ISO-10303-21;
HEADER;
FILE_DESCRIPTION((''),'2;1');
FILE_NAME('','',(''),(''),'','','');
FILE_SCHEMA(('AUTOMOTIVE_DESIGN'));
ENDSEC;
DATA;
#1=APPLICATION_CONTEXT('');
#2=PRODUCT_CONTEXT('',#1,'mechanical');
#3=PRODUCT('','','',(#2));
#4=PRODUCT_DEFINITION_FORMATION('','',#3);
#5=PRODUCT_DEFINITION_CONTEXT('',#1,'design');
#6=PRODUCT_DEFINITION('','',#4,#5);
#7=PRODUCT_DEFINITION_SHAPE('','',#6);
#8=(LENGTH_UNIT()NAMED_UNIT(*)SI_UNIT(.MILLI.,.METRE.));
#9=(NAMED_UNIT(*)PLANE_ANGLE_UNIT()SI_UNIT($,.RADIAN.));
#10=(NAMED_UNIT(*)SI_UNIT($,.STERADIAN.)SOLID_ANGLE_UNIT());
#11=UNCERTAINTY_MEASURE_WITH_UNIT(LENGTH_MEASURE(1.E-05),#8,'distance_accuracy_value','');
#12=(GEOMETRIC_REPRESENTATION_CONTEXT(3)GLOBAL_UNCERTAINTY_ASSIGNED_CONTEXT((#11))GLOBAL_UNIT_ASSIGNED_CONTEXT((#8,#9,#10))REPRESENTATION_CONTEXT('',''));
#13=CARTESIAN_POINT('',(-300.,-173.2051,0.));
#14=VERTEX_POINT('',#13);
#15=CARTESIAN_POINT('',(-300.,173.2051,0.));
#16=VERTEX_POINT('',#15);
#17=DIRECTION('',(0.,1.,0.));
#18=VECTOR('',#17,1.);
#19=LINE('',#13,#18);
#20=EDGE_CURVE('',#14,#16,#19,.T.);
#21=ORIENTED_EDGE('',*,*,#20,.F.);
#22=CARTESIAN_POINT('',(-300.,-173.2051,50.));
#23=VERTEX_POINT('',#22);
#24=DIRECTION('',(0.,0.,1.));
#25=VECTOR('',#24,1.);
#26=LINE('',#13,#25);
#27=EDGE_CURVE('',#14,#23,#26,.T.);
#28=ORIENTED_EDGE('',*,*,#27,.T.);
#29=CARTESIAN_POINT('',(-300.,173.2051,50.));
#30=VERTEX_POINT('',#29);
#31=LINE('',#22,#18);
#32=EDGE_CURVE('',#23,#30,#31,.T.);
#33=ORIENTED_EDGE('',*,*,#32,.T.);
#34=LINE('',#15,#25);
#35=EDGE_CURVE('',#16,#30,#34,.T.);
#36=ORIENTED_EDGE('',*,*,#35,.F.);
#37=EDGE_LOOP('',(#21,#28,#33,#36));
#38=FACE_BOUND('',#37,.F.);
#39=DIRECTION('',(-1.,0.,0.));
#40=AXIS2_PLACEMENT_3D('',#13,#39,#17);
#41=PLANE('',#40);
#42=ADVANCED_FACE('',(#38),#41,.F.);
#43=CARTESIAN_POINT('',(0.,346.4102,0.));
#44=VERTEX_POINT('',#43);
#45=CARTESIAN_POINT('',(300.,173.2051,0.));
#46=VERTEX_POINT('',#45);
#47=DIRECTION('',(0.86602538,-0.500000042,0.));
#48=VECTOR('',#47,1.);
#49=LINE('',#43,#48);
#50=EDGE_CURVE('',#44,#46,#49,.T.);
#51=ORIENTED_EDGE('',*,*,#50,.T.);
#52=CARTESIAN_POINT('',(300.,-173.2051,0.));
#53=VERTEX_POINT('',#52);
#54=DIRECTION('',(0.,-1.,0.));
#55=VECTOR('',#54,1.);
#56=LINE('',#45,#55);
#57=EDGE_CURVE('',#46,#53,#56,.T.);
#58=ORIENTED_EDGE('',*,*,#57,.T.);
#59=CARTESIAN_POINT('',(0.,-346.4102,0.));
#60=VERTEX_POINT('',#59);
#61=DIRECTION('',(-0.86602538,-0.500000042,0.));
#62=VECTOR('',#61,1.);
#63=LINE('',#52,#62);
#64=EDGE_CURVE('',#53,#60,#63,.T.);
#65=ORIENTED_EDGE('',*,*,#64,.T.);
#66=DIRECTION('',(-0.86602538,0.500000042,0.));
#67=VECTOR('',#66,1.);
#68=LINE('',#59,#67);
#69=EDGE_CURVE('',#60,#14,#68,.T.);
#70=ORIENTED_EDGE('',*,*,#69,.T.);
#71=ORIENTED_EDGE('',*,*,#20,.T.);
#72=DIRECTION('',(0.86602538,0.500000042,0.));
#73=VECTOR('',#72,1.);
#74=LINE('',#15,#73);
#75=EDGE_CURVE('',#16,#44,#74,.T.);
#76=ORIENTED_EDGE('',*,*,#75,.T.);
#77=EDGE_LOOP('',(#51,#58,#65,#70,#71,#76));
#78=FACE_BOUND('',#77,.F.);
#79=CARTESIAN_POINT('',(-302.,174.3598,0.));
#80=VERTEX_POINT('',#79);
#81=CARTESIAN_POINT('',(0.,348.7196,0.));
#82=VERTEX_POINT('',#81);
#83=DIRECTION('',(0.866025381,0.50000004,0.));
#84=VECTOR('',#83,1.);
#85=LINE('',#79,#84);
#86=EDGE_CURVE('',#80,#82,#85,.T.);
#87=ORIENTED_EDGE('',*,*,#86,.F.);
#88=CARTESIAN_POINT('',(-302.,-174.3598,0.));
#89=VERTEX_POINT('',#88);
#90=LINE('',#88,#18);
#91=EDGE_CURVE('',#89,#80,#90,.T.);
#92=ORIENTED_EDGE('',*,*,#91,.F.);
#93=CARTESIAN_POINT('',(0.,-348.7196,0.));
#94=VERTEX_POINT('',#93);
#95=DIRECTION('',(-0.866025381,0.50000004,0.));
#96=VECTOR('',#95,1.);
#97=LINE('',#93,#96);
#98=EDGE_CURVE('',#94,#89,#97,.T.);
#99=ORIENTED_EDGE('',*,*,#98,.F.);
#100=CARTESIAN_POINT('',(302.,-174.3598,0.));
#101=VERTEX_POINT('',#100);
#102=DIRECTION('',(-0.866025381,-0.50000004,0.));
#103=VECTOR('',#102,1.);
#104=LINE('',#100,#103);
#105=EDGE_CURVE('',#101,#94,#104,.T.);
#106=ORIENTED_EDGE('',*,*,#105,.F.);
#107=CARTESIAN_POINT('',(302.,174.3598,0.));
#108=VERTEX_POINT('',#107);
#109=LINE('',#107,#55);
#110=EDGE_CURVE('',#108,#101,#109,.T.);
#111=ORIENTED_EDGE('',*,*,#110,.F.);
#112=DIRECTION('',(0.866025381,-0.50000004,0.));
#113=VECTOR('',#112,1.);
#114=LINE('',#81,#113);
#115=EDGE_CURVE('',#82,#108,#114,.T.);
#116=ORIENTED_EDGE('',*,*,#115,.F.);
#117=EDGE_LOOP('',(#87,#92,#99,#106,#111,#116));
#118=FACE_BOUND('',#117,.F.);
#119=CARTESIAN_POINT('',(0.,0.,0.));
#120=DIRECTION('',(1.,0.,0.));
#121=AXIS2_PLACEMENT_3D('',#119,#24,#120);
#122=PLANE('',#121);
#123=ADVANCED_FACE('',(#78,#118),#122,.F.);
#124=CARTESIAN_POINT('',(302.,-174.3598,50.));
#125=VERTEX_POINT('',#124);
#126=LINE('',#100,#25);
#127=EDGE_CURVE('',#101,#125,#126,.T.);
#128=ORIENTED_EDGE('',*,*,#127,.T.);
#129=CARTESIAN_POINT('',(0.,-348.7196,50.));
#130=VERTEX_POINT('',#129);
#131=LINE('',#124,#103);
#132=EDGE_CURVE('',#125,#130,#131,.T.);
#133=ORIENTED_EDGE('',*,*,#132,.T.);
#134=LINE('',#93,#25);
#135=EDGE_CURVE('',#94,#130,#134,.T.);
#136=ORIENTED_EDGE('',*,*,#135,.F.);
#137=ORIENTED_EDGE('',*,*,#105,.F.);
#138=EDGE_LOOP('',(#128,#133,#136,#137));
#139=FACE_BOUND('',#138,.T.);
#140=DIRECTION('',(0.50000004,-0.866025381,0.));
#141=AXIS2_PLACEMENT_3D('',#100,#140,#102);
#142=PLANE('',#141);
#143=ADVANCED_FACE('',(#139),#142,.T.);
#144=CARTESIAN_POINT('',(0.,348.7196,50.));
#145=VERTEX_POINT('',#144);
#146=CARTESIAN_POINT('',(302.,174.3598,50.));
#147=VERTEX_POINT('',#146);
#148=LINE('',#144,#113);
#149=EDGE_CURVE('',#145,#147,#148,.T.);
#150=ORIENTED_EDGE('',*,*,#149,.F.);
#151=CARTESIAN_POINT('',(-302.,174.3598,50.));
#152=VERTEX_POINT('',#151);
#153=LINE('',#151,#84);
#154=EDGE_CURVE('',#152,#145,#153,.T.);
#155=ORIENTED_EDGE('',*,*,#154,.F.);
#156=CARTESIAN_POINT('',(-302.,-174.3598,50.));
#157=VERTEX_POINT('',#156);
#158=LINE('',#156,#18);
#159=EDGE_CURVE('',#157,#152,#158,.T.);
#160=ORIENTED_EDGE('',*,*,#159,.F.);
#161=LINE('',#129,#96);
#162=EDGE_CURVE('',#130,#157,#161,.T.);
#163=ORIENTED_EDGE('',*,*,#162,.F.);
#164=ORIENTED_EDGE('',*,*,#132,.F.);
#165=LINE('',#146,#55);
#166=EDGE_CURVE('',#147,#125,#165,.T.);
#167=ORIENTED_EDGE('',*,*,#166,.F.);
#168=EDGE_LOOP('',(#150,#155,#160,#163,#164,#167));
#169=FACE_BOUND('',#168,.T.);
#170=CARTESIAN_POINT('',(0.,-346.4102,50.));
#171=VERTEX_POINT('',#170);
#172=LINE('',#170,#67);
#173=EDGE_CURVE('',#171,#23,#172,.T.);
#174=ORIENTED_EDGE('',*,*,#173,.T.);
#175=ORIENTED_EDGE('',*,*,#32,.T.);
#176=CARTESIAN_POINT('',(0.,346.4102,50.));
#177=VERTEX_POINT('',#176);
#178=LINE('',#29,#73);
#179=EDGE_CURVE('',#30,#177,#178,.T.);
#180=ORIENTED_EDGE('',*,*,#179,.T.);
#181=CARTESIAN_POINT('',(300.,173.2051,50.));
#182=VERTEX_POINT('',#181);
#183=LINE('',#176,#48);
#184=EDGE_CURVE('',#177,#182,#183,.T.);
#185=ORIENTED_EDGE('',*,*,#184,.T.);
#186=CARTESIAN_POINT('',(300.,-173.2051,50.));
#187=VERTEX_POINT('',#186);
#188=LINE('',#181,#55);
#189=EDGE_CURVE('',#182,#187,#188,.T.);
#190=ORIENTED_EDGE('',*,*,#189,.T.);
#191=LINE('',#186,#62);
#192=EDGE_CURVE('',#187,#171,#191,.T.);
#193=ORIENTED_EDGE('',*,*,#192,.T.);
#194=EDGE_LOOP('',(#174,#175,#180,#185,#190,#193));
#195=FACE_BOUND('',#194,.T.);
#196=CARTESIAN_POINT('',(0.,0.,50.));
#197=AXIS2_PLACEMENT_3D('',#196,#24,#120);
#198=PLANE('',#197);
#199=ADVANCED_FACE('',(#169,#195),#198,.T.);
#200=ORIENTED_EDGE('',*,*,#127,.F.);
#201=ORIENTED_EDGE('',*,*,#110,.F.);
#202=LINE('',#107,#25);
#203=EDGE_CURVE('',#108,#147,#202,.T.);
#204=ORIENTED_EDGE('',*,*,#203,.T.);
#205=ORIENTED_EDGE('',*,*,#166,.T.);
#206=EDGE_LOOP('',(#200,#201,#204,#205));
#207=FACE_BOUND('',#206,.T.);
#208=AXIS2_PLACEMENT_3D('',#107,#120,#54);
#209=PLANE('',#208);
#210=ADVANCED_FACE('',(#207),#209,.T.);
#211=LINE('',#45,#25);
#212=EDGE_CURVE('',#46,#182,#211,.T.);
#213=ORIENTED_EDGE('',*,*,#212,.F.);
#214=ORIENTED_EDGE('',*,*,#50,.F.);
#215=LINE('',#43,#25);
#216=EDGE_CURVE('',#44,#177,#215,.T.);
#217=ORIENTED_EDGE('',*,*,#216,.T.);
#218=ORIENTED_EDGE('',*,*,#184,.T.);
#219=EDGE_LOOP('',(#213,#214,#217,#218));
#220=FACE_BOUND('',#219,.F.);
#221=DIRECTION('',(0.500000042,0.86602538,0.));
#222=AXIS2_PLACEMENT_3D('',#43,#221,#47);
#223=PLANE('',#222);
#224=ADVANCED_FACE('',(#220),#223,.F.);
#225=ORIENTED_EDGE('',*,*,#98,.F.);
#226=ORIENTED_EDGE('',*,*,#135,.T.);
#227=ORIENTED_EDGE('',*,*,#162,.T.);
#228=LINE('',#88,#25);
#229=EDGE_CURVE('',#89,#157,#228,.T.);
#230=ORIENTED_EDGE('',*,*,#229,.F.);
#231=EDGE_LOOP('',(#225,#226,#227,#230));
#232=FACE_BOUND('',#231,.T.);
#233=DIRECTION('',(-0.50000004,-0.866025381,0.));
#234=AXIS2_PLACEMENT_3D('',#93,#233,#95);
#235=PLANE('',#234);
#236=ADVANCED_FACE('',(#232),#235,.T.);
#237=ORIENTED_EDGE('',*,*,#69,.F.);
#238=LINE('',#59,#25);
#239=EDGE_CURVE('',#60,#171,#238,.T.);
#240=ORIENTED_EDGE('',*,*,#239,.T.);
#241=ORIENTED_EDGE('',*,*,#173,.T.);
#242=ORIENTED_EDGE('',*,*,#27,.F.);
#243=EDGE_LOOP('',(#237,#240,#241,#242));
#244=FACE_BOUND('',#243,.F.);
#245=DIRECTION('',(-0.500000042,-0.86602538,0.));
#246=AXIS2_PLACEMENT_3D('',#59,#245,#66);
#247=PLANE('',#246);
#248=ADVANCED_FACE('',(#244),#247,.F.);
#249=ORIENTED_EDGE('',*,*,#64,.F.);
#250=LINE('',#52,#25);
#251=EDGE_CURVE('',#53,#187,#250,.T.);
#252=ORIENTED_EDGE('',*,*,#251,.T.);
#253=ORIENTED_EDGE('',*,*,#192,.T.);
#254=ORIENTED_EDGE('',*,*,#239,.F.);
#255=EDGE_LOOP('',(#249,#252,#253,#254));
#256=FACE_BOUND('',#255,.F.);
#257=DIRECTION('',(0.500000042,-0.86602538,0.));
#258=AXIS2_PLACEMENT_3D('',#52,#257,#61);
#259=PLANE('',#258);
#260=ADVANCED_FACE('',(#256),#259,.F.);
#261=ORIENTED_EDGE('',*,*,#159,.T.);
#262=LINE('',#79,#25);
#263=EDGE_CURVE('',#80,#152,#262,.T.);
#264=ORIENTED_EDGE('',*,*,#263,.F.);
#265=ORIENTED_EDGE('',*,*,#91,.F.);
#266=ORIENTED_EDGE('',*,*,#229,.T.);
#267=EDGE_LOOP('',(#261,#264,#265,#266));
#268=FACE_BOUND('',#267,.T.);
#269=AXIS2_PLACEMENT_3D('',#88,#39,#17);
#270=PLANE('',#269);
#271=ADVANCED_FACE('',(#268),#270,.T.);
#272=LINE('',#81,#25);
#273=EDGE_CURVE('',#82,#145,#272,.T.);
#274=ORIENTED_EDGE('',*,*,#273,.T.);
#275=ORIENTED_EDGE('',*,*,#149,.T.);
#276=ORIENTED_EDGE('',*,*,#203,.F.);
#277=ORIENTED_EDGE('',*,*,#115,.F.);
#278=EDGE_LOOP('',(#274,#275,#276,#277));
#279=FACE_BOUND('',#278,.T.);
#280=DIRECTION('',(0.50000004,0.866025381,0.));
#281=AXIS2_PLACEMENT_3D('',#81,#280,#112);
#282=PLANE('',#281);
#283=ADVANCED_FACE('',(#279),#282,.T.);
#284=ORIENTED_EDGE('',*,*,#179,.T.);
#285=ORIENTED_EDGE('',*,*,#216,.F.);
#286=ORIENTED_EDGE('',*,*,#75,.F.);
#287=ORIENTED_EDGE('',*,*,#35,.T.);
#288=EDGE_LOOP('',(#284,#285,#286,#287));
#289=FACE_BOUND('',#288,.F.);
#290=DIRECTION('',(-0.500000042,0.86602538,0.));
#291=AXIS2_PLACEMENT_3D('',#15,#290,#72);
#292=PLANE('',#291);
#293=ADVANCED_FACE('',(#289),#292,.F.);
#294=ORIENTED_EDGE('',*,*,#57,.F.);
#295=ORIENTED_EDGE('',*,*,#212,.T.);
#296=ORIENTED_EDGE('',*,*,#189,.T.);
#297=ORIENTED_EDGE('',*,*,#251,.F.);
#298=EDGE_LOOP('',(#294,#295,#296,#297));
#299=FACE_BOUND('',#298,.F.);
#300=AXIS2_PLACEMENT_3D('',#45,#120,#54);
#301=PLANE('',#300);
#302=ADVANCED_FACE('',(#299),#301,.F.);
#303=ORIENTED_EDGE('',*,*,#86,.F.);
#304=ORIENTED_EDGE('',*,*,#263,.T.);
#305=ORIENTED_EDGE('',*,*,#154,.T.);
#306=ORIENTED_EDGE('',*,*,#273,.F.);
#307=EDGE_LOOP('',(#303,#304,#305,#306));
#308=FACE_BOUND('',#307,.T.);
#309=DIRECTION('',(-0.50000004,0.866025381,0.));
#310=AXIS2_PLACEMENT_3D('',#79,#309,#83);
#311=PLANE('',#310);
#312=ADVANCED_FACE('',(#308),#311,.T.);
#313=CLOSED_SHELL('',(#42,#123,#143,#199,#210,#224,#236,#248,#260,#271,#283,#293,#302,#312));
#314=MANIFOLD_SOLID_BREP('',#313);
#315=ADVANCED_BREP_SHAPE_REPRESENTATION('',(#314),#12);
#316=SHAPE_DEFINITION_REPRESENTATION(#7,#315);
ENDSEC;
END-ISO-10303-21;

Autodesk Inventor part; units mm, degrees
ref_plane "YZ Plane" through (0, 0, 0) normal (1, 0, 0) x (0, 1, 0)
ref_plane "XZ Plane" through (0, 0, 0) normal (0, 1, 0) x (-1, 0, 0)
ref_plane "Work Plane1" through (0, 0, 0) normal (0, 0, 1) x (1, 0, 0)
sketch "Sketch1" plane through (0, 0, 0) normal (0, 0, 1) x (1, 0, 0)
  line L0 (300, -173.2051) -> (0, -346.4102)
  line L1 (0, -346.4102) -> (-300, -173.2051)
  line L2 (-300, -173.2051) -> (-300, 173.2051)
  line L3 (-300, 173.2051) -> (0, 346.4102)
  line L4 (0, 346.4102) -> (300, 173.2051)
  line L5 (300, 173.2051) -> (300, -173.2051)
  line L6 (302, 174.3598) -> (302, -174.3598)
  line L7 (302, -174.3598) -> (0, -348.7196)
  line L8 (0, -348.7196) -> (-302, -174.3598)
  line L9 (-302, -174.3598) -> (-302, 174.3598)
  line L10 (-302, 174.3598) -> (0, 348.7196)
  line L11 (0, 348.7196) -> (302, 174.3598)
  point P0 (0, 0)
  point P1 (0, 0)
  point P2 (0, 0)
  dimension "d0" = 302
  dimension "d1" = 300
extrude "Extrusion1" add sketch "Sketch1" along normal blind 50
properties part number "Wallmesh"
